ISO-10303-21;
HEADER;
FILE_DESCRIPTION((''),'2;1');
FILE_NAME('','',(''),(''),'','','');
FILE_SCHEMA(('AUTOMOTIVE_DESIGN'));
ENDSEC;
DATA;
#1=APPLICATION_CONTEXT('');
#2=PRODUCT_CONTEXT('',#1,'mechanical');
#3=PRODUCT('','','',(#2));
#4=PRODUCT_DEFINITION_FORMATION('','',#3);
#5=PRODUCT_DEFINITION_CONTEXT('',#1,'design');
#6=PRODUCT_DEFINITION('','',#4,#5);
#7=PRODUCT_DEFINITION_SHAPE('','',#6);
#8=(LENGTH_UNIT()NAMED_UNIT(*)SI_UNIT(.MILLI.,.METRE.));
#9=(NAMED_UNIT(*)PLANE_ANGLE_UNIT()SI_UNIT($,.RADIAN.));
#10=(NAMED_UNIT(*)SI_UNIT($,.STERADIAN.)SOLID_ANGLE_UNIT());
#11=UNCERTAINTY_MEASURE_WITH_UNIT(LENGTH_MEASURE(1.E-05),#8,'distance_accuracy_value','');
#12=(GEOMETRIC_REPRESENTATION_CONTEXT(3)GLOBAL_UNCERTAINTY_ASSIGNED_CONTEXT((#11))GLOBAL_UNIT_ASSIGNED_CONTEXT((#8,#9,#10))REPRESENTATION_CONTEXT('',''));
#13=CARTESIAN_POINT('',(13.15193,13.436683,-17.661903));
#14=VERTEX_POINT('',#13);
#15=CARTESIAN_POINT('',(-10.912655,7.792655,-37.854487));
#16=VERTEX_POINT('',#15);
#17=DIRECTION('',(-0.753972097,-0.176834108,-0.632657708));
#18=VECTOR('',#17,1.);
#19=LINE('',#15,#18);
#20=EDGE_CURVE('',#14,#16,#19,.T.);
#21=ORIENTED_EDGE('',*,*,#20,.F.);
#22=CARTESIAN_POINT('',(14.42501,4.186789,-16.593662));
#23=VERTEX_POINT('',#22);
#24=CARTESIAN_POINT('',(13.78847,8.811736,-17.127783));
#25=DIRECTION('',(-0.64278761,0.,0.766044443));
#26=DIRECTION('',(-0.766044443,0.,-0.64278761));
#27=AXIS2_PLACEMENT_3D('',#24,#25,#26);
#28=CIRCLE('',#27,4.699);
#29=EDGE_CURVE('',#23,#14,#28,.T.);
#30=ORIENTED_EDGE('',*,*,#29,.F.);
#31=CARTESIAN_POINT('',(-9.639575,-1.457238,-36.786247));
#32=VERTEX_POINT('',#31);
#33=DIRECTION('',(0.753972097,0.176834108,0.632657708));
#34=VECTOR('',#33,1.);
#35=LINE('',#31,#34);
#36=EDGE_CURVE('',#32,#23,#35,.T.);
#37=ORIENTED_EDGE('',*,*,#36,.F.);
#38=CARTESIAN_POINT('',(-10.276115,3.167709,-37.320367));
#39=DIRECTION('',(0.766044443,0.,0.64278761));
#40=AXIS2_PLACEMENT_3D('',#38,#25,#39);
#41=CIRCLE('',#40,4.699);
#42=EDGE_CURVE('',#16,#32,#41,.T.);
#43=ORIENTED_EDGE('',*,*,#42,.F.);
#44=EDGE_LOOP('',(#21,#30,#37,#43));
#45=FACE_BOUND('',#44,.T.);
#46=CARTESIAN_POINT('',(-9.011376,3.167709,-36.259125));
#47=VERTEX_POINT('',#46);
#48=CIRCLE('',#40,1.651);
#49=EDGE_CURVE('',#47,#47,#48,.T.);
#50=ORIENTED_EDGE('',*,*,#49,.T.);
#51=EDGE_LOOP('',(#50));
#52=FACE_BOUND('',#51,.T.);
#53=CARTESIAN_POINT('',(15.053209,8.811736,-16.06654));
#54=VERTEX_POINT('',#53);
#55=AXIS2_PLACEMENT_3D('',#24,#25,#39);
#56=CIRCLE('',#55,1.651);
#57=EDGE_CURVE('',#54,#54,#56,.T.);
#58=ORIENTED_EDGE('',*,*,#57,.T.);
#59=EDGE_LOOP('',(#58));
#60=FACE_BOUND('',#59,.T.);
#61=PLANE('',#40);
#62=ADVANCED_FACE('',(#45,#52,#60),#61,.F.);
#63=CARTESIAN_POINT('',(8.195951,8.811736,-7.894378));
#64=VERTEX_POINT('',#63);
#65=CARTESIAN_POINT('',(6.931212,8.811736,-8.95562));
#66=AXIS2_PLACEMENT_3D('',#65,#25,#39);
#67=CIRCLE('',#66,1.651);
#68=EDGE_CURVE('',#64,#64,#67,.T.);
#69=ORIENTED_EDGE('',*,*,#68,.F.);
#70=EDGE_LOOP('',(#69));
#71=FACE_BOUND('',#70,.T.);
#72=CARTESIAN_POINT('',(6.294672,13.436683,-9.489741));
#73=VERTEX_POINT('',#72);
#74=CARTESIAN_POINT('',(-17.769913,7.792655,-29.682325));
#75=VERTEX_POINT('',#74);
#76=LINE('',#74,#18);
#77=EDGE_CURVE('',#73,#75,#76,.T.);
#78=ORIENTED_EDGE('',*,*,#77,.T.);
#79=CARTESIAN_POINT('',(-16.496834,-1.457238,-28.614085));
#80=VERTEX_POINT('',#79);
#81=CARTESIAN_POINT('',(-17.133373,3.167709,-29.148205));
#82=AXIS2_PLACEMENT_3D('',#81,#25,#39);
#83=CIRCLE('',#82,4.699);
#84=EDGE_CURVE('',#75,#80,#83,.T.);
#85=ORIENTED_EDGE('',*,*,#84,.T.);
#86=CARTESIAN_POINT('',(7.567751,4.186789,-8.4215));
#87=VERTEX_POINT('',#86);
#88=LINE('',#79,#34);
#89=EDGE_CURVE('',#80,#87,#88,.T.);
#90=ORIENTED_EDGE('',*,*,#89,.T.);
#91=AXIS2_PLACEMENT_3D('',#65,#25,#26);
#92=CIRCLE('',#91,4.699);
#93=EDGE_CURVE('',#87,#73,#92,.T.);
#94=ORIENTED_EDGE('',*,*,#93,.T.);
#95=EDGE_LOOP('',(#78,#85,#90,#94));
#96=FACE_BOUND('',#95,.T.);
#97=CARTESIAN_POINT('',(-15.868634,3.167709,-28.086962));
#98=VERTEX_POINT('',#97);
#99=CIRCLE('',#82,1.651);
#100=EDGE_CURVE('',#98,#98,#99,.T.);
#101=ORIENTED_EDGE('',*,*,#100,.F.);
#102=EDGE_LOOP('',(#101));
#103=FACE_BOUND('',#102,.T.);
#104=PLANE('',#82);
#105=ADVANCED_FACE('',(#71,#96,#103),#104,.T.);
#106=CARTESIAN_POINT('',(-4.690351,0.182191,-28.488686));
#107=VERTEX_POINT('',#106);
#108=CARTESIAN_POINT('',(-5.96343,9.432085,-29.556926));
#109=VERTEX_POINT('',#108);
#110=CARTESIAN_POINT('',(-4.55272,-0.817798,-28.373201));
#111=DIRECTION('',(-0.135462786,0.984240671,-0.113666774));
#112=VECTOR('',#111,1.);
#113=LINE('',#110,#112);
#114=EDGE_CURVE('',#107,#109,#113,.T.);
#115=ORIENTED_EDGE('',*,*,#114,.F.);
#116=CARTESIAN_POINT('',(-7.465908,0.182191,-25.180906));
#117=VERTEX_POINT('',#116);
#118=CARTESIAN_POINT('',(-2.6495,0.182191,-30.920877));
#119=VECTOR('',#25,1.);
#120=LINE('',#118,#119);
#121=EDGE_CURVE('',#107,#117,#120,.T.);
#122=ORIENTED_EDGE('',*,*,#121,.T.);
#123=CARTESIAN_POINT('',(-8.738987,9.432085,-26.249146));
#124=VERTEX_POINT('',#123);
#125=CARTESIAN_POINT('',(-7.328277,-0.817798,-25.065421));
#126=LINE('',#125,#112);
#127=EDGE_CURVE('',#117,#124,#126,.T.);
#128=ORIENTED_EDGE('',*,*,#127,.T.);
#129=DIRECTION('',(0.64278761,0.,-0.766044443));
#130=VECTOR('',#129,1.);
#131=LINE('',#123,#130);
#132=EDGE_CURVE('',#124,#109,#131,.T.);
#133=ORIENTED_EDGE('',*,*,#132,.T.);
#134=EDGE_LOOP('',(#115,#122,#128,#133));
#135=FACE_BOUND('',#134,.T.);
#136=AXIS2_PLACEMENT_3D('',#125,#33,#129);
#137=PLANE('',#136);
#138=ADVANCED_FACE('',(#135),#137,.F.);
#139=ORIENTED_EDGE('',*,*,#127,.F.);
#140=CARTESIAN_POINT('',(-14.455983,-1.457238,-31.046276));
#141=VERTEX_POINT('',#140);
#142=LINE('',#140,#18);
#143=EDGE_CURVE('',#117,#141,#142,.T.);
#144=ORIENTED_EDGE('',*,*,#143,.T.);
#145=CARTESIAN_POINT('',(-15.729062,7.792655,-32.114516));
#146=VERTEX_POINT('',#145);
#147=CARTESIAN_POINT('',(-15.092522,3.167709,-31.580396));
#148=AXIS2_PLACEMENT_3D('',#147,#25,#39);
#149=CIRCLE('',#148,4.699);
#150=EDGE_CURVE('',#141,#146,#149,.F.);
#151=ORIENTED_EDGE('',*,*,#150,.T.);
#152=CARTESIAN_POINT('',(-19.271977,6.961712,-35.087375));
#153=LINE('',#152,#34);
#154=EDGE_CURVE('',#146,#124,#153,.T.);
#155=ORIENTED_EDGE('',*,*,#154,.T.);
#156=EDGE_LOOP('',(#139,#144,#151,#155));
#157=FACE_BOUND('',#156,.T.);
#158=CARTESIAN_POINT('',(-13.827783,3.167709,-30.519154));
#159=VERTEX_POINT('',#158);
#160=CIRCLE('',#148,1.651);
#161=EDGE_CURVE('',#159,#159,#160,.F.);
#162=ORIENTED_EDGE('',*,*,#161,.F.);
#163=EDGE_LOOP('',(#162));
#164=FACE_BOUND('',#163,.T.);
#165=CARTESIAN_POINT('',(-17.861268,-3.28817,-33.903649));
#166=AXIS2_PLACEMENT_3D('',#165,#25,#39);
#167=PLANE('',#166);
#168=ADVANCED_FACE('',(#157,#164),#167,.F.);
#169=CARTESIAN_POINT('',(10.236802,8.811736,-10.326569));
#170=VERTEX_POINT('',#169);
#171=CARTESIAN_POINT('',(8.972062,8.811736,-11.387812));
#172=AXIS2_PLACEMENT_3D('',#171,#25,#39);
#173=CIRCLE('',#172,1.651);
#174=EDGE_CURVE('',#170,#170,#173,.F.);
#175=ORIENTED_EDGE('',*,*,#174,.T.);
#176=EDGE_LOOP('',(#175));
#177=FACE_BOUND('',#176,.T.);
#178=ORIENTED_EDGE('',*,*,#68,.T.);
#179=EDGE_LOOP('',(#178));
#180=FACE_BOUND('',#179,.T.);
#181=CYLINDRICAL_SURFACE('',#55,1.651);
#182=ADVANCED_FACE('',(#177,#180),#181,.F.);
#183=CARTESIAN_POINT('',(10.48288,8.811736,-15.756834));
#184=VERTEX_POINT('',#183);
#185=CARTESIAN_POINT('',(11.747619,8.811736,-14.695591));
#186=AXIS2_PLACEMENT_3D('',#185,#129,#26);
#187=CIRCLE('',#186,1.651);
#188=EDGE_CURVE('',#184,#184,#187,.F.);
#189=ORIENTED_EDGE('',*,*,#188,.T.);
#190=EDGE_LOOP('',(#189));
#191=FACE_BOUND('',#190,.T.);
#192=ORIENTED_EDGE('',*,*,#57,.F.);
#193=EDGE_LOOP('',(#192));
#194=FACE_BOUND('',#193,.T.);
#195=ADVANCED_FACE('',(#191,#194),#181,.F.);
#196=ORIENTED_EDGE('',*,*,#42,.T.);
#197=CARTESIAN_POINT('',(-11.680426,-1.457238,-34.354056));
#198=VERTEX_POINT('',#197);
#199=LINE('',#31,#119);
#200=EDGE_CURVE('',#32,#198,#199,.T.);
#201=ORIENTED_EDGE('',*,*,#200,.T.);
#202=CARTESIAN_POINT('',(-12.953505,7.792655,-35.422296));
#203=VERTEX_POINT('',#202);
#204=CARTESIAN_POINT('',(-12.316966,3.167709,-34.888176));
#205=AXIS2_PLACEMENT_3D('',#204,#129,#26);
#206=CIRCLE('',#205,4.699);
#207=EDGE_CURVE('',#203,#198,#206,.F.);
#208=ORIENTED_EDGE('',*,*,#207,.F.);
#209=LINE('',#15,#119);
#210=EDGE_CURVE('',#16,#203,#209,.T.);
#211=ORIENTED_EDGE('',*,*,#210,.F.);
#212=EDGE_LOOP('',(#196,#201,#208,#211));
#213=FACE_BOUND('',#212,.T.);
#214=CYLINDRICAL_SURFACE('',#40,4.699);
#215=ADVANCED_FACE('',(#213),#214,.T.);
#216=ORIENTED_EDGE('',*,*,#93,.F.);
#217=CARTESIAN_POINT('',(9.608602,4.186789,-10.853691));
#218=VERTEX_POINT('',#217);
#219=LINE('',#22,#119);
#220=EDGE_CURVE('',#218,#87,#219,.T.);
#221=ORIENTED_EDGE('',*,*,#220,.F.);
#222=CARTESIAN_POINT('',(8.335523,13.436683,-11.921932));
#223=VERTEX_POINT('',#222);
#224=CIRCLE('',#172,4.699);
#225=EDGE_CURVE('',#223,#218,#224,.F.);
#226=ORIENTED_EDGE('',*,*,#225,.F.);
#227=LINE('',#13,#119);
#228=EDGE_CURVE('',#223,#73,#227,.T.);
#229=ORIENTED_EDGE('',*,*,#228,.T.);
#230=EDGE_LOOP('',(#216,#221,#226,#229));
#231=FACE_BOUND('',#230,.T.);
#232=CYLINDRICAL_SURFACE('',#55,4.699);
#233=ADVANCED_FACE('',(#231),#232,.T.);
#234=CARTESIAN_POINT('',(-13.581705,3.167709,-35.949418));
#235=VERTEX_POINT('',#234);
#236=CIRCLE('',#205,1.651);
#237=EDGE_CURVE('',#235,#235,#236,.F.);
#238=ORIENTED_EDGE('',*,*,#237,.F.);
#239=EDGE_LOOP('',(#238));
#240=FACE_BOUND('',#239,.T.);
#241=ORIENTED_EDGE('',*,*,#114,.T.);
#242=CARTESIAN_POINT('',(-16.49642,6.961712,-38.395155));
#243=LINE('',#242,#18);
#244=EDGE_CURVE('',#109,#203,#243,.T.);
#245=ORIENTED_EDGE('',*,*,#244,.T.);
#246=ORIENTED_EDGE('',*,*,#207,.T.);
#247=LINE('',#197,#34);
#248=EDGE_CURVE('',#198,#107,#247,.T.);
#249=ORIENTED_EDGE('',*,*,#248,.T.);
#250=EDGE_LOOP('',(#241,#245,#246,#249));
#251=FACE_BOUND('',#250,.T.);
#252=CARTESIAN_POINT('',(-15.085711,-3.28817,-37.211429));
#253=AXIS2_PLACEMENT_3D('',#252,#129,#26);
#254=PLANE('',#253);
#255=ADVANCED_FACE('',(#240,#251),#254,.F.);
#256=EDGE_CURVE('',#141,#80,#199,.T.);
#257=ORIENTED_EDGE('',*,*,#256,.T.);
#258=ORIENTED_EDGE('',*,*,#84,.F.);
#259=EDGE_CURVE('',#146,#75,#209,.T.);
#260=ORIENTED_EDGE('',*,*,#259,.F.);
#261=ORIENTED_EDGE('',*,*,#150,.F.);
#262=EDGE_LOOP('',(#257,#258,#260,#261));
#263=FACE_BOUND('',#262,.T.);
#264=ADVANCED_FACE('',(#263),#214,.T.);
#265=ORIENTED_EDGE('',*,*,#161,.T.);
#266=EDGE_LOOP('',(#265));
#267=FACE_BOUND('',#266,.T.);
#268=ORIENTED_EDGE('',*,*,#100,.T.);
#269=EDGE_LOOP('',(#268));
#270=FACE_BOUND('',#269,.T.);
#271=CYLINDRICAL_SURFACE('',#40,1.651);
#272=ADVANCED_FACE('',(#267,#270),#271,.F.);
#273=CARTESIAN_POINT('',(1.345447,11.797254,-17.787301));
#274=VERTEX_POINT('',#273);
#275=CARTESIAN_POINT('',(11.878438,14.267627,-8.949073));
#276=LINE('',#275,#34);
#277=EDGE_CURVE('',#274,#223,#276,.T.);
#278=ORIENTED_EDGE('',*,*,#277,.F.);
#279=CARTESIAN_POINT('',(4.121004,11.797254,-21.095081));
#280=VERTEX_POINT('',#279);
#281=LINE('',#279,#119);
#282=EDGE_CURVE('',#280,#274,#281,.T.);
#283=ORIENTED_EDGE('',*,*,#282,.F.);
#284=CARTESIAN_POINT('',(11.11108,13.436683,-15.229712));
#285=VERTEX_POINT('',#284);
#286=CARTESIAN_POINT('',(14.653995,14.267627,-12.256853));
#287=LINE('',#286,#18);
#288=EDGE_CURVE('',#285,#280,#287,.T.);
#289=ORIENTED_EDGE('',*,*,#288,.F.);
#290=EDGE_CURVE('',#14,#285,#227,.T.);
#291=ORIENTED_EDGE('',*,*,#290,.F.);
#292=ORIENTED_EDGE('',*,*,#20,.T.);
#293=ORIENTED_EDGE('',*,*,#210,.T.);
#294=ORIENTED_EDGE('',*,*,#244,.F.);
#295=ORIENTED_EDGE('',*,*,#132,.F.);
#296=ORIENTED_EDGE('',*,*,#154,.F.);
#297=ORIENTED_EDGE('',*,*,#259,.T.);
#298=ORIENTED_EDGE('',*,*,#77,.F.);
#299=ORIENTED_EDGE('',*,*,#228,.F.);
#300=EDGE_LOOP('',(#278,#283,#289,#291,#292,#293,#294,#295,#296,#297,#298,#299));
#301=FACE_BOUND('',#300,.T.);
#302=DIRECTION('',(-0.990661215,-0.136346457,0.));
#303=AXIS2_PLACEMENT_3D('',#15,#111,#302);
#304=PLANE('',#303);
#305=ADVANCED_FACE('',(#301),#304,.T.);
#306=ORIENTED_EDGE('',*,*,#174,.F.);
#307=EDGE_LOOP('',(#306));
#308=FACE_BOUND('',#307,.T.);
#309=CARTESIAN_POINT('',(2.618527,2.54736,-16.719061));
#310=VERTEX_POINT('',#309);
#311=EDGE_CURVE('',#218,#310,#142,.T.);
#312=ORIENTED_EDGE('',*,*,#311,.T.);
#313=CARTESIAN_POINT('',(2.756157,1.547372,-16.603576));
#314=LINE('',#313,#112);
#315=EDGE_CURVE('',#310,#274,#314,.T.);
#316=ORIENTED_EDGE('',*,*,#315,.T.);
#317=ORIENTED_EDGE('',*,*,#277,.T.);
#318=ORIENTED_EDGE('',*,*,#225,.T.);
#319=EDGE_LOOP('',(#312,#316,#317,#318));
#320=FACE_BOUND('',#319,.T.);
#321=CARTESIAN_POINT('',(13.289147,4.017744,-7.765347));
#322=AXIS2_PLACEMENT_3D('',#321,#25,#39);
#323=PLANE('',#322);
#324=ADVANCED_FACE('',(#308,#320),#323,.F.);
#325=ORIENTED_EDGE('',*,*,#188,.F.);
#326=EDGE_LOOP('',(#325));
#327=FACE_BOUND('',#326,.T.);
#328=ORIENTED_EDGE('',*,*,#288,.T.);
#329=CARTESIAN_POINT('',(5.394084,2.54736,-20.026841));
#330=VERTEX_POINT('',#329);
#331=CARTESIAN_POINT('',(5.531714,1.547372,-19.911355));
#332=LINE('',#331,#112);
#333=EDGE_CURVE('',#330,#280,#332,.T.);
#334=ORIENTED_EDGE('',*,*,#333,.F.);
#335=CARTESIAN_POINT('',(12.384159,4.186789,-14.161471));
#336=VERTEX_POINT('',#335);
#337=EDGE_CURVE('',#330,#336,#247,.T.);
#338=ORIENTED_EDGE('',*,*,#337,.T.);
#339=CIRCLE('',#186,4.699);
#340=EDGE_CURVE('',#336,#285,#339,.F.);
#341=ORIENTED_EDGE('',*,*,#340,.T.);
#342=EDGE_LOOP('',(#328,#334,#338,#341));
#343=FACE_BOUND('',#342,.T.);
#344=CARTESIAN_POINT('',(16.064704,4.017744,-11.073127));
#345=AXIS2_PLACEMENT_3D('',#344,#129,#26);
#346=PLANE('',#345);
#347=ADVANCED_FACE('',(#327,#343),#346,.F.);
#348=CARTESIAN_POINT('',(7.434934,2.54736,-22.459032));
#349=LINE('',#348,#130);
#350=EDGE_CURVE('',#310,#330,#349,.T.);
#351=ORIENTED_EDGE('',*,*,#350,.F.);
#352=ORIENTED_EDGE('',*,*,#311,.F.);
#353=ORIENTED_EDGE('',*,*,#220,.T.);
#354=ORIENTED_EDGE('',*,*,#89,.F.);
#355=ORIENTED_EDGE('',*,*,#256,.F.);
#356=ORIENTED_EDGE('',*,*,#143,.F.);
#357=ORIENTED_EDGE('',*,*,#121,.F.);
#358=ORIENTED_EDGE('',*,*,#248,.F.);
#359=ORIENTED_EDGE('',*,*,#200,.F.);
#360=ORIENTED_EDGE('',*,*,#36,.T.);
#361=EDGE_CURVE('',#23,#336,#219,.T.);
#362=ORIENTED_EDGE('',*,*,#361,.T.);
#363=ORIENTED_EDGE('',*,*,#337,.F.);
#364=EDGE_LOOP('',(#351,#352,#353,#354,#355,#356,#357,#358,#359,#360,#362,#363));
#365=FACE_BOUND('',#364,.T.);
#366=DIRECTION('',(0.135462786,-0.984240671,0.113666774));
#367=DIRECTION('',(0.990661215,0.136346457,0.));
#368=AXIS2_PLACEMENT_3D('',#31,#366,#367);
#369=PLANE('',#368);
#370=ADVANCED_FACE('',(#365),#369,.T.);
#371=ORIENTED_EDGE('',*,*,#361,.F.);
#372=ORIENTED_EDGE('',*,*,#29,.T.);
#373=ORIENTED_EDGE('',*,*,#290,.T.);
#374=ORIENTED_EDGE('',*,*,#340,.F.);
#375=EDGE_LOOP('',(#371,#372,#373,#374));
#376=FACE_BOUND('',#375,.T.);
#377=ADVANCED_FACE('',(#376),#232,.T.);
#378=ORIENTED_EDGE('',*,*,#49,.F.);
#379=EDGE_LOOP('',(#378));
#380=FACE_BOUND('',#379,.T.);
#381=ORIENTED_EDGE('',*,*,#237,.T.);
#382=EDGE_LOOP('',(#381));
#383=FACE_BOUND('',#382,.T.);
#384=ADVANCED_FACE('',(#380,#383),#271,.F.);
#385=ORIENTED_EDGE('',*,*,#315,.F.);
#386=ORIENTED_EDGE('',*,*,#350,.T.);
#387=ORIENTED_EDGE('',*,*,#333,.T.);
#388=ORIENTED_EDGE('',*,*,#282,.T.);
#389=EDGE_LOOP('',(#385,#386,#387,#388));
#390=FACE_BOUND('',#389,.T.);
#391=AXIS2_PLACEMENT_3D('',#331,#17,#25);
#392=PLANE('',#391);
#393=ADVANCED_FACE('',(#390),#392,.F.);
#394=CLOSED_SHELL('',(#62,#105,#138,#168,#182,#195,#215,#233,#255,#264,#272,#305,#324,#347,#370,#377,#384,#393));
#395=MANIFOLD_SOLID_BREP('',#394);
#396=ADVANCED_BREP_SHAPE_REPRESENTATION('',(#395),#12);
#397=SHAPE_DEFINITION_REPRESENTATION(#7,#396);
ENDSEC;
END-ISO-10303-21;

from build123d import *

# Parameters (mm, degrees)
BOSS_EXTRUDE1_DEPTH      = 5.334
BOSS_EXTRUDE1_DEPTH_BACK = 5.334
SKETCH1_R                = 1.651
CUT_EXTRUDE1_DEPTH       = 10.414


with BuildPart() as part:
    # Sketch1 → Boss-Extrude1 (new, two sides: drawn at the far end of the back side and taken through both)
    with BuildSketch(Plane(origin=(10.702221059, 0, -12.754410396), x_dir=(0.7660444431189798, 0, 0.6427876096865374), z_dir=(-0.6427876096865374, 0, 0.7660444431189798)).offset(-BOSS_EXTRUDE1_DEPTH_BACK)):
        with BuildLine():
            Line((-32.691973638, 7.79265549), (-1.277889133, 13.436683202))
            ThreePointArc((-1.277889133, 13.436683202), (4.178001254, 9.642679764), (0.383997817, 4.186789377))
            Line((0.383997817, 4.186789377), (-31.030086688, -1.457238335))
            ThreePointArc((-31.030086688, -1.457238335), (-36.485977075, 2.336765102), (-32.691973638, 7.79265549))
        make_face()
        with Locations((-31.861030163, 3.167708577)):
            Circle(SKETCH1_R, mode=Mode.SUBTRACT)
        with Locations((-0.446945658, 8.811736289)):
            Circle(SKETCH1_R, mode=Mode.SUBTRACT)
    extrude(amount=BOSS_EXTRUDE1_DEPTH + BOSS_EXTRUDE1_DEPTH_BACK)

    # Sketch3 → Cut-Extrude1 (cut)
    with BuildSketch(Plane(origin=(-1.822096994, 13.238927242, -1.528920916), x_dir=(0.990782435050318, 0.13456837613179015, -0.015540866803864855), z_dir=(-0.13546278601801462, 0.9842406708429238, -0.1136667737859623))):
        Polygon((-17.612221816, 34.057028648), (-6.98123986, 24.993744329), (-4.17986107, 28.279684206), (-14.810843026, 37.342968525), align=None)
        Polygon((16.629373849, 10.539082885), (5.998391893, 19.602367204), (3.197013104, 16.316427327), (13.82799506, 7.253143007), align=None)
    extrude(amount=-CUT_EXTRUDE1_DEPTH, mode=Mode.SUBTRACT)


solid = part.part
